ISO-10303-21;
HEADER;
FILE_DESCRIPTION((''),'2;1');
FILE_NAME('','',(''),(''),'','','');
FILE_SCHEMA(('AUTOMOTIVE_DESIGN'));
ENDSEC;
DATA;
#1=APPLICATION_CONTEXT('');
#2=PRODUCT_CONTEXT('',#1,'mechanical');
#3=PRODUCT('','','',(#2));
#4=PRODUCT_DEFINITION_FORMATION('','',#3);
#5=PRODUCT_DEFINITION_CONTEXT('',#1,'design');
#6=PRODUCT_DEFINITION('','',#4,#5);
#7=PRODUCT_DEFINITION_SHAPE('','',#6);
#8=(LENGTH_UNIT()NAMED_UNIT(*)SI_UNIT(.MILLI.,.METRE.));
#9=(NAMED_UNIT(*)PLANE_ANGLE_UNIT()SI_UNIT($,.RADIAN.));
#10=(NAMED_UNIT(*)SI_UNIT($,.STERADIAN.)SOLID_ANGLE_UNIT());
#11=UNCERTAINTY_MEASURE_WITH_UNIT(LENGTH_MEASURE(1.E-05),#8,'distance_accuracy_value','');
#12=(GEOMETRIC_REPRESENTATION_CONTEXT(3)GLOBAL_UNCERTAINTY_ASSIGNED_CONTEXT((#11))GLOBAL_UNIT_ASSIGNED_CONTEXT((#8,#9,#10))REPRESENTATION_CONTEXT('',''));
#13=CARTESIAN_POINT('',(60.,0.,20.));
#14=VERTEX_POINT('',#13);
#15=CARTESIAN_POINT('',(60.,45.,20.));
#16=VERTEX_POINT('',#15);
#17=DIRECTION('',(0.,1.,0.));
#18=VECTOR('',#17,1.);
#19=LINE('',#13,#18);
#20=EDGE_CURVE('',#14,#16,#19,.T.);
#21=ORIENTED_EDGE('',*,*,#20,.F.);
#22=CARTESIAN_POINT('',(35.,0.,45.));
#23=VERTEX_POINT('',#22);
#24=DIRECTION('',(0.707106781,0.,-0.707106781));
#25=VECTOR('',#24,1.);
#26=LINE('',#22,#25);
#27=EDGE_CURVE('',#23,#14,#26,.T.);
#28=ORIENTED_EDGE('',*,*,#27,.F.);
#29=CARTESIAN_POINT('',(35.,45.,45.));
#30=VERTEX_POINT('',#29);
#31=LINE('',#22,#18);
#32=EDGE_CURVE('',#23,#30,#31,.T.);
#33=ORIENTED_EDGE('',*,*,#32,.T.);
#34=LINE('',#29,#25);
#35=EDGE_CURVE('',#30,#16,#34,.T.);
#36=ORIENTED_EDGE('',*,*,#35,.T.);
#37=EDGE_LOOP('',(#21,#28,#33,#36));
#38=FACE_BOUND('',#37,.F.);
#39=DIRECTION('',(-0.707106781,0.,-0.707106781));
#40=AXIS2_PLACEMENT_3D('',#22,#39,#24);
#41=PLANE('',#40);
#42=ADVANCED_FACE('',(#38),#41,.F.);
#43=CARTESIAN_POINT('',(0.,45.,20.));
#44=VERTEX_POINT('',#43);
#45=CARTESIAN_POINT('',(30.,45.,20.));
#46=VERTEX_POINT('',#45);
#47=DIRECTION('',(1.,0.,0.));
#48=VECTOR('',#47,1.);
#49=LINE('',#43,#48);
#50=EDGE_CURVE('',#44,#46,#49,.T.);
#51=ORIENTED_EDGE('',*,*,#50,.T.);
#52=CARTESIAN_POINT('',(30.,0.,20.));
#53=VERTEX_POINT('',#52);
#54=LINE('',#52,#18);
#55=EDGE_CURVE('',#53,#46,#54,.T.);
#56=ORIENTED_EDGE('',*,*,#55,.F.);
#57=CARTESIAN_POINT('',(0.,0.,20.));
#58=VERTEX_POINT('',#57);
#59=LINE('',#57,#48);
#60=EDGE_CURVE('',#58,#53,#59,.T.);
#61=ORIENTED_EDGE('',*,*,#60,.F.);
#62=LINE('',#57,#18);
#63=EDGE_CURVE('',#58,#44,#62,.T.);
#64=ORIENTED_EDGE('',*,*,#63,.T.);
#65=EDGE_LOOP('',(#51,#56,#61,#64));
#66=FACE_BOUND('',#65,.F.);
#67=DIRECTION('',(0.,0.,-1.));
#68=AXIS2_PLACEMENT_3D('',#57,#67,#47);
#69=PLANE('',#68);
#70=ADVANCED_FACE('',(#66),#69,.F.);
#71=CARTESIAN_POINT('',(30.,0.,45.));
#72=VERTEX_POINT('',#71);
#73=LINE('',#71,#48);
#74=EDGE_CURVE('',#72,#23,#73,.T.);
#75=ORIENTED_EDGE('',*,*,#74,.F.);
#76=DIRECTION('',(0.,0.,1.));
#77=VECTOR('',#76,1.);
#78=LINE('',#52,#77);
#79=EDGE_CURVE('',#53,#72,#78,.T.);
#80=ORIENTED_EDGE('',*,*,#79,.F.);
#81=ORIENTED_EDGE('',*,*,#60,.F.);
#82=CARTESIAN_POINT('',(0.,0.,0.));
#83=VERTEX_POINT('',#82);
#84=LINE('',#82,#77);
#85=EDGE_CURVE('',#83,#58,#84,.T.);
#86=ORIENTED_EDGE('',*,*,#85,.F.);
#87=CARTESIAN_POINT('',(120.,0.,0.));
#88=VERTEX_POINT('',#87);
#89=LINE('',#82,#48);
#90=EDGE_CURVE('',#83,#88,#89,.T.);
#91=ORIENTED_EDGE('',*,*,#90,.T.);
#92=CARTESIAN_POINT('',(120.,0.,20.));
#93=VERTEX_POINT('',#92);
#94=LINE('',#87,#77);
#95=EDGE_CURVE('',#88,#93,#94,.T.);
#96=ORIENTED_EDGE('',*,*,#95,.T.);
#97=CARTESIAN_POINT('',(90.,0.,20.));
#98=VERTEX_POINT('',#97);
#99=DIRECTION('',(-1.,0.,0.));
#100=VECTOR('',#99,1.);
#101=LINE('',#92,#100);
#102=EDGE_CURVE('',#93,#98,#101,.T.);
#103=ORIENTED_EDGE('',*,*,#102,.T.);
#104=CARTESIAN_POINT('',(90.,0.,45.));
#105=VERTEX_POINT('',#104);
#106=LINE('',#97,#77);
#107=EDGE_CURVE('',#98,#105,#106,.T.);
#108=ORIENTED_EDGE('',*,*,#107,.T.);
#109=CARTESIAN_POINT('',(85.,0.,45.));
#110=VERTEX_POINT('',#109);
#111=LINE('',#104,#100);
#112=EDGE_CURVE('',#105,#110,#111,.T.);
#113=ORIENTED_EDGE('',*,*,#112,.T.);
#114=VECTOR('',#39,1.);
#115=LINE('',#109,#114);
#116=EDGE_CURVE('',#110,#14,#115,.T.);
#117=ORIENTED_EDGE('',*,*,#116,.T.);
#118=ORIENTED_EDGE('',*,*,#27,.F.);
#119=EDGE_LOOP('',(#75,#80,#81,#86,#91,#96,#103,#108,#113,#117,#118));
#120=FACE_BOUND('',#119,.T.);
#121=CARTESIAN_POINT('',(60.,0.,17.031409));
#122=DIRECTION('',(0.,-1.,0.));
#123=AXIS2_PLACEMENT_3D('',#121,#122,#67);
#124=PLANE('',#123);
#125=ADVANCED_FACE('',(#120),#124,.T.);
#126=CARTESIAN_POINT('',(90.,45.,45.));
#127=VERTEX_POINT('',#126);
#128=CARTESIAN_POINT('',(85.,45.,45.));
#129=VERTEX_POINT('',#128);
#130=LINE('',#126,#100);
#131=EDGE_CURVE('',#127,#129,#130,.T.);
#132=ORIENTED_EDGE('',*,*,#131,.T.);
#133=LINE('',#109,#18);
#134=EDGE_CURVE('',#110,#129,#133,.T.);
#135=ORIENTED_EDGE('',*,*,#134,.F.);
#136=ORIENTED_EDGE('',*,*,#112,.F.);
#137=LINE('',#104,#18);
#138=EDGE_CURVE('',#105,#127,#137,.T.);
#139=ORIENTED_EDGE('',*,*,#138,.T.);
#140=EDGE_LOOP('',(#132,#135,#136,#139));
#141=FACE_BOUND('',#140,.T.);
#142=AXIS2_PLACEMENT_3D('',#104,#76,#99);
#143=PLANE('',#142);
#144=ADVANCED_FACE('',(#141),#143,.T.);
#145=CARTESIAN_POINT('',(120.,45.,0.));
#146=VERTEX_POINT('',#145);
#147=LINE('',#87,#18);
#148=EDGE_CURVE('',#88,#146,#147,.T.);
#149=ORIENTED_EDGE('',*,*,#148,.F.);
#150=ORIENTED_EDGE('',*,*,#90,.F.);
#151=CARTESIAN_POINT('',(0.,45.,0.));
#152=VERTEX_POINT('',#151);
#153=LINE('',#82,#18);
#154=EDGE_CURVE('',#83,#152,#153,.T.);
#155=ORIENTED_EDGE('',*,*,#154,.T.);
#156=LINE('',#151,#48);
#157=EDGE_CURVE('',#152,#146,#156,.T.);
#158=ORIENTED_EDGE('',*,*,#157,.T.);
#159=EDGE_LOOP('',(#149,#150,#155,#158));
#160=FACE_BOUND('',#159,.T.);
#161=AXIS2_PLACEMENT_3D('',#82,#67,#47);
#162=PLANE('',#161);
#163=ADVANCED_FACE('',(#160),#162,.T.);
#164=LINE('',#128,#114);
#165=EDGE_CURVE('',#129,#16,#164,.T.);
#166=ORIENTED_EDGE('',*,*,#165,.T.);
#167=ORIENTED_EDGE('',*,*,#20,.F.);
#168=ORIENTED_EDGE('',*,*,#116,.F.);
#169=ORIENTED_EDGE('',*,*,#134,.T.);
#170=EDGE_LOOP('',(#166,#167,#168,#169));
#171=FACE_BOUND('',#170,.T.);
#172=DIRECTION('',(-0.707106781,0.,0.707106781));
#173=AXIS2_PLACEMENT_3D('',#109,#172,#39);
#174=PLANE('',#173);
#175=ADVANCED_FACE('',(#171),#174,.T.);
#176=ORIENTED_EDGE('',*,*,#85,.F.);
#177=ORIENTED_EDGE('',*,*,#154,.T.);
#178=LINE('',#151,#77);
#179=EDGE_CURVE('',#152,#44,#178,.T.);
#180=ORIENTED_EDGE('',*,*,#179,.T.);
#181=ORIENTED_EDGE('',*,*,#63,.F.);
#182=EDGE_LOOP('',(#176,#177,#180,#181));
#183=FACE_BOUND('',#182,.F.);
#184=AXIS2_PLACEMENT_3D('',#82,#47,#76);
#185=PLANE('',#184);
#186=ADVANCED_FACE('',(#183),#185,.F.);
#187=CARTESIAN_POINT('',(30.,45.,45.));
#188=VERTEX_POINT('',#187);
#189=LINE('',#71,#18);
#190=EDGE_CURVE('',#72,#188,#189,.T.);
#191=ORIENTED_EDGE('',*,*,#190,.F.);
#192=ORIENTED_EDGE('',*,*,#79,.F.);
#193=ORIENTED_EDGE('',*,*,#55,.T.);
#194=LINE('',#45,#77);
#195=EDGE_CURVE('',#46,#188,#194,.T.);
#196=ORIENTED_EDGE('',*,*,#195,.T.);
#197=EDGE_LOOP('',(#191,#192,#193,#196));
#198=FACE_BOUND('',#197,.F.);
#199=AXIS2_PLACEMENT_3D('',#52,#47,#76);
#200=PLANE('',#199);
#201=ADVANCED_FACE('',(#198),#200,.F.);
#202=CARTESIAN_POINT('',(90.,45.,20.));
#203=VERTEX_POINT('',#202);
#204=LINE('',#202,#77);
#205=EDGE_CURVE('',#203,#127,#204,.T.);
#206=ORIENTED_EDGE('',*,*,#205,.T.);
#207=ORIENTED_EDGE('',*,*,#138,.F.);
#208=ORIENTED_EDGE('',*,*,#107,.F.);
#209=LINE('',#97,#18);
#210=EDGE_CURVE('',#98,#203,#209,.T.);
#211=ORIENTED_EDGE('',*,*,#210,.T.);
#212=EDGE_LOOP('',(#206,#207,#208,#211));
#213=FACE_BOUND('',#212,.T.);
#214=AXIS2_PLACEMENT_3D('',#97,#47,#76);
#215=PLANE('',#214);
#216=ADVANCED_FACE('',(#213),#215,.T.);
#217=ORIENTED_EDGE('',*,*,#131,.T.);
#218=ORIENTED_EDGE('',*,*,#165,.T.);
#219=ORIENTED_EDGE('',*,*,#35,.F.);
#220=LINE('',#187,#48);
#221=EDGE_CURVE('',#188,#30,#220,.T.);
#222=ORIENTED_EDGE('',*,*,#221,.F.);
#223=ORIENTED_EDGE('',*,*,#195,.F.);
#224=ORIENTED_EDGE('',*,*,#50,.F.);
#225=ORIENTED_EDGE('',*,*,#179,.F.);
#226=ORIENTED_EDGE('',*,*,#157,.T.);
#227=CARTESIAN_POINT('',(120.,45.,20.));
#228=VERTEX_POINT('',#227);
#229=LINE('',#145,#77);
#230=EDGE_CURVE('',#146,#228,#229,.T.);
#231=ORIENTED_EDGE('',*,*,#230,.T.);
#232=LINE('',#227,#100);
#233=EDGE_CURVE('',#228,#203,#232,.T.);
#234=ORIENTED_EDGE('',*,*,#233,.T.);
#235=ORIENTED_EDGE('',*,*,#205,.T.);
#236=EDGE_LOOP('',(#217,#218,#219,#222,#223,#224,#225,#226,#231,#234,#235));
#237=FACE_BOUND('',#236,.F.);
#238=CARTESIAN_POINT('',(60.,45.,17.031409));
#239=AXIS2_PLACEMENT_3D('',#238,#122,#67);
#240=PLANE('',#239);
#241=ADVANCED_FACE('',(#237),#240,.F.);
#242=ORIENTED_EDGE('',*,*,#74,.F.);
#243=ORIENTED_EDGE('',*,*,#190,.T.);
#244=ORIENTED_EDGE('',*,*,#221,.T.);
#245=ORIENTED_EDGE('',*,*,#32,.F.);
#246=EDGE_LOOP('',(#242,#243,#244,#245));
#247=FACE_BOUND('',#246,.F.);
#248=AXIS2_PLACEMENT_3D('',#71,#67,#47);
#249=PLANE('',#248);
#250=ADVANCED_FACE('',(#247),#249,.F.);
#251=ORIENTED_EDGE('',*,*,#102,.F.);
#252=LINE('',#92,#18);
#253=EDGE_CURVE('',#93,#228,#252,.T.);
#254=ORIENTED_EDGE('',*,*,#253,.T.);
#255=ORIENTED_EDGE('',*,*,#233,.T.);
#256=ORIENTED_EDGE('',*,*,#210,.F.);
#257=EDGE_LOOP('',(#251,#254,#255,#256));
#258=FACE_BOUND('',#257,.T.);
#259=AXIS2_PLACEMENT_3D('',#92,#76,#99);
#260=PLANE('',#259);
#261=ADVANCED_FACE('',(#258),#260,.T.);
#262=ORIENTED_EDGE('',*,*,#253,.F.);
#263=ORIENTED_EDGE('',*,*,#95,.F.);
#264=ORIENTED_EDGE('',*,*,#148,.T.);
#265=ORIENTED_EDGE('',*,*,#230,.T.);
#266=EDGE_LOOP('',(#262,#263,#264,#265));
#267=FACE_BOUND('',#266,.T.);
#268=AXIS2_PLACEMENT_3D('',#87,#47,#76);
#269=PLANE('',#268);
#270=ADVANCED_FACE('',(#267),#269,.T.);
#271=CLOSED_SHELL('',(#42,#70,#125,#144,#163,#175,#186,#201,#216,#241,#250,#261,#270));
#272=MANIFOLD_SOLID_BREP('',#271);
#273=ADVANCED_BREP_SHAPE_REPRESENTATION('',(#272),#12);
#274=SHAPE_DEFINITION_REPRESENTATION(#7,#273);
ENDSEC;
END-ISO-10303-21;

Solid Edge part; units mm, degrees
sketch "Sketch1" plane through (0, 0, 0) normal (0, -1, 0) x (1, 0, 0)
  line L0 (90, 20) -> (90, 45)
  line L1 (90, 45) -> (85, 45)
  line L2 (85, 45) -> (60, 20)
  line L3 (35, 45) -> (60, 20)
  line L4 (30, 45) -> (35, 45)
  line L5 (30, 20) -> (30, 45)
  line L6 (0, 20) -> (30, 20)
  line L7 (0, 0) -> (0, 20)
  line L8 (0, 0) -> (120, 0)
  line L9 (120, 0) -> (120, 20)
  line L10 (120, 20) -> (90, 20)
extrude "Protrusion1" add sketch "Sketch1" against normal blind 45
